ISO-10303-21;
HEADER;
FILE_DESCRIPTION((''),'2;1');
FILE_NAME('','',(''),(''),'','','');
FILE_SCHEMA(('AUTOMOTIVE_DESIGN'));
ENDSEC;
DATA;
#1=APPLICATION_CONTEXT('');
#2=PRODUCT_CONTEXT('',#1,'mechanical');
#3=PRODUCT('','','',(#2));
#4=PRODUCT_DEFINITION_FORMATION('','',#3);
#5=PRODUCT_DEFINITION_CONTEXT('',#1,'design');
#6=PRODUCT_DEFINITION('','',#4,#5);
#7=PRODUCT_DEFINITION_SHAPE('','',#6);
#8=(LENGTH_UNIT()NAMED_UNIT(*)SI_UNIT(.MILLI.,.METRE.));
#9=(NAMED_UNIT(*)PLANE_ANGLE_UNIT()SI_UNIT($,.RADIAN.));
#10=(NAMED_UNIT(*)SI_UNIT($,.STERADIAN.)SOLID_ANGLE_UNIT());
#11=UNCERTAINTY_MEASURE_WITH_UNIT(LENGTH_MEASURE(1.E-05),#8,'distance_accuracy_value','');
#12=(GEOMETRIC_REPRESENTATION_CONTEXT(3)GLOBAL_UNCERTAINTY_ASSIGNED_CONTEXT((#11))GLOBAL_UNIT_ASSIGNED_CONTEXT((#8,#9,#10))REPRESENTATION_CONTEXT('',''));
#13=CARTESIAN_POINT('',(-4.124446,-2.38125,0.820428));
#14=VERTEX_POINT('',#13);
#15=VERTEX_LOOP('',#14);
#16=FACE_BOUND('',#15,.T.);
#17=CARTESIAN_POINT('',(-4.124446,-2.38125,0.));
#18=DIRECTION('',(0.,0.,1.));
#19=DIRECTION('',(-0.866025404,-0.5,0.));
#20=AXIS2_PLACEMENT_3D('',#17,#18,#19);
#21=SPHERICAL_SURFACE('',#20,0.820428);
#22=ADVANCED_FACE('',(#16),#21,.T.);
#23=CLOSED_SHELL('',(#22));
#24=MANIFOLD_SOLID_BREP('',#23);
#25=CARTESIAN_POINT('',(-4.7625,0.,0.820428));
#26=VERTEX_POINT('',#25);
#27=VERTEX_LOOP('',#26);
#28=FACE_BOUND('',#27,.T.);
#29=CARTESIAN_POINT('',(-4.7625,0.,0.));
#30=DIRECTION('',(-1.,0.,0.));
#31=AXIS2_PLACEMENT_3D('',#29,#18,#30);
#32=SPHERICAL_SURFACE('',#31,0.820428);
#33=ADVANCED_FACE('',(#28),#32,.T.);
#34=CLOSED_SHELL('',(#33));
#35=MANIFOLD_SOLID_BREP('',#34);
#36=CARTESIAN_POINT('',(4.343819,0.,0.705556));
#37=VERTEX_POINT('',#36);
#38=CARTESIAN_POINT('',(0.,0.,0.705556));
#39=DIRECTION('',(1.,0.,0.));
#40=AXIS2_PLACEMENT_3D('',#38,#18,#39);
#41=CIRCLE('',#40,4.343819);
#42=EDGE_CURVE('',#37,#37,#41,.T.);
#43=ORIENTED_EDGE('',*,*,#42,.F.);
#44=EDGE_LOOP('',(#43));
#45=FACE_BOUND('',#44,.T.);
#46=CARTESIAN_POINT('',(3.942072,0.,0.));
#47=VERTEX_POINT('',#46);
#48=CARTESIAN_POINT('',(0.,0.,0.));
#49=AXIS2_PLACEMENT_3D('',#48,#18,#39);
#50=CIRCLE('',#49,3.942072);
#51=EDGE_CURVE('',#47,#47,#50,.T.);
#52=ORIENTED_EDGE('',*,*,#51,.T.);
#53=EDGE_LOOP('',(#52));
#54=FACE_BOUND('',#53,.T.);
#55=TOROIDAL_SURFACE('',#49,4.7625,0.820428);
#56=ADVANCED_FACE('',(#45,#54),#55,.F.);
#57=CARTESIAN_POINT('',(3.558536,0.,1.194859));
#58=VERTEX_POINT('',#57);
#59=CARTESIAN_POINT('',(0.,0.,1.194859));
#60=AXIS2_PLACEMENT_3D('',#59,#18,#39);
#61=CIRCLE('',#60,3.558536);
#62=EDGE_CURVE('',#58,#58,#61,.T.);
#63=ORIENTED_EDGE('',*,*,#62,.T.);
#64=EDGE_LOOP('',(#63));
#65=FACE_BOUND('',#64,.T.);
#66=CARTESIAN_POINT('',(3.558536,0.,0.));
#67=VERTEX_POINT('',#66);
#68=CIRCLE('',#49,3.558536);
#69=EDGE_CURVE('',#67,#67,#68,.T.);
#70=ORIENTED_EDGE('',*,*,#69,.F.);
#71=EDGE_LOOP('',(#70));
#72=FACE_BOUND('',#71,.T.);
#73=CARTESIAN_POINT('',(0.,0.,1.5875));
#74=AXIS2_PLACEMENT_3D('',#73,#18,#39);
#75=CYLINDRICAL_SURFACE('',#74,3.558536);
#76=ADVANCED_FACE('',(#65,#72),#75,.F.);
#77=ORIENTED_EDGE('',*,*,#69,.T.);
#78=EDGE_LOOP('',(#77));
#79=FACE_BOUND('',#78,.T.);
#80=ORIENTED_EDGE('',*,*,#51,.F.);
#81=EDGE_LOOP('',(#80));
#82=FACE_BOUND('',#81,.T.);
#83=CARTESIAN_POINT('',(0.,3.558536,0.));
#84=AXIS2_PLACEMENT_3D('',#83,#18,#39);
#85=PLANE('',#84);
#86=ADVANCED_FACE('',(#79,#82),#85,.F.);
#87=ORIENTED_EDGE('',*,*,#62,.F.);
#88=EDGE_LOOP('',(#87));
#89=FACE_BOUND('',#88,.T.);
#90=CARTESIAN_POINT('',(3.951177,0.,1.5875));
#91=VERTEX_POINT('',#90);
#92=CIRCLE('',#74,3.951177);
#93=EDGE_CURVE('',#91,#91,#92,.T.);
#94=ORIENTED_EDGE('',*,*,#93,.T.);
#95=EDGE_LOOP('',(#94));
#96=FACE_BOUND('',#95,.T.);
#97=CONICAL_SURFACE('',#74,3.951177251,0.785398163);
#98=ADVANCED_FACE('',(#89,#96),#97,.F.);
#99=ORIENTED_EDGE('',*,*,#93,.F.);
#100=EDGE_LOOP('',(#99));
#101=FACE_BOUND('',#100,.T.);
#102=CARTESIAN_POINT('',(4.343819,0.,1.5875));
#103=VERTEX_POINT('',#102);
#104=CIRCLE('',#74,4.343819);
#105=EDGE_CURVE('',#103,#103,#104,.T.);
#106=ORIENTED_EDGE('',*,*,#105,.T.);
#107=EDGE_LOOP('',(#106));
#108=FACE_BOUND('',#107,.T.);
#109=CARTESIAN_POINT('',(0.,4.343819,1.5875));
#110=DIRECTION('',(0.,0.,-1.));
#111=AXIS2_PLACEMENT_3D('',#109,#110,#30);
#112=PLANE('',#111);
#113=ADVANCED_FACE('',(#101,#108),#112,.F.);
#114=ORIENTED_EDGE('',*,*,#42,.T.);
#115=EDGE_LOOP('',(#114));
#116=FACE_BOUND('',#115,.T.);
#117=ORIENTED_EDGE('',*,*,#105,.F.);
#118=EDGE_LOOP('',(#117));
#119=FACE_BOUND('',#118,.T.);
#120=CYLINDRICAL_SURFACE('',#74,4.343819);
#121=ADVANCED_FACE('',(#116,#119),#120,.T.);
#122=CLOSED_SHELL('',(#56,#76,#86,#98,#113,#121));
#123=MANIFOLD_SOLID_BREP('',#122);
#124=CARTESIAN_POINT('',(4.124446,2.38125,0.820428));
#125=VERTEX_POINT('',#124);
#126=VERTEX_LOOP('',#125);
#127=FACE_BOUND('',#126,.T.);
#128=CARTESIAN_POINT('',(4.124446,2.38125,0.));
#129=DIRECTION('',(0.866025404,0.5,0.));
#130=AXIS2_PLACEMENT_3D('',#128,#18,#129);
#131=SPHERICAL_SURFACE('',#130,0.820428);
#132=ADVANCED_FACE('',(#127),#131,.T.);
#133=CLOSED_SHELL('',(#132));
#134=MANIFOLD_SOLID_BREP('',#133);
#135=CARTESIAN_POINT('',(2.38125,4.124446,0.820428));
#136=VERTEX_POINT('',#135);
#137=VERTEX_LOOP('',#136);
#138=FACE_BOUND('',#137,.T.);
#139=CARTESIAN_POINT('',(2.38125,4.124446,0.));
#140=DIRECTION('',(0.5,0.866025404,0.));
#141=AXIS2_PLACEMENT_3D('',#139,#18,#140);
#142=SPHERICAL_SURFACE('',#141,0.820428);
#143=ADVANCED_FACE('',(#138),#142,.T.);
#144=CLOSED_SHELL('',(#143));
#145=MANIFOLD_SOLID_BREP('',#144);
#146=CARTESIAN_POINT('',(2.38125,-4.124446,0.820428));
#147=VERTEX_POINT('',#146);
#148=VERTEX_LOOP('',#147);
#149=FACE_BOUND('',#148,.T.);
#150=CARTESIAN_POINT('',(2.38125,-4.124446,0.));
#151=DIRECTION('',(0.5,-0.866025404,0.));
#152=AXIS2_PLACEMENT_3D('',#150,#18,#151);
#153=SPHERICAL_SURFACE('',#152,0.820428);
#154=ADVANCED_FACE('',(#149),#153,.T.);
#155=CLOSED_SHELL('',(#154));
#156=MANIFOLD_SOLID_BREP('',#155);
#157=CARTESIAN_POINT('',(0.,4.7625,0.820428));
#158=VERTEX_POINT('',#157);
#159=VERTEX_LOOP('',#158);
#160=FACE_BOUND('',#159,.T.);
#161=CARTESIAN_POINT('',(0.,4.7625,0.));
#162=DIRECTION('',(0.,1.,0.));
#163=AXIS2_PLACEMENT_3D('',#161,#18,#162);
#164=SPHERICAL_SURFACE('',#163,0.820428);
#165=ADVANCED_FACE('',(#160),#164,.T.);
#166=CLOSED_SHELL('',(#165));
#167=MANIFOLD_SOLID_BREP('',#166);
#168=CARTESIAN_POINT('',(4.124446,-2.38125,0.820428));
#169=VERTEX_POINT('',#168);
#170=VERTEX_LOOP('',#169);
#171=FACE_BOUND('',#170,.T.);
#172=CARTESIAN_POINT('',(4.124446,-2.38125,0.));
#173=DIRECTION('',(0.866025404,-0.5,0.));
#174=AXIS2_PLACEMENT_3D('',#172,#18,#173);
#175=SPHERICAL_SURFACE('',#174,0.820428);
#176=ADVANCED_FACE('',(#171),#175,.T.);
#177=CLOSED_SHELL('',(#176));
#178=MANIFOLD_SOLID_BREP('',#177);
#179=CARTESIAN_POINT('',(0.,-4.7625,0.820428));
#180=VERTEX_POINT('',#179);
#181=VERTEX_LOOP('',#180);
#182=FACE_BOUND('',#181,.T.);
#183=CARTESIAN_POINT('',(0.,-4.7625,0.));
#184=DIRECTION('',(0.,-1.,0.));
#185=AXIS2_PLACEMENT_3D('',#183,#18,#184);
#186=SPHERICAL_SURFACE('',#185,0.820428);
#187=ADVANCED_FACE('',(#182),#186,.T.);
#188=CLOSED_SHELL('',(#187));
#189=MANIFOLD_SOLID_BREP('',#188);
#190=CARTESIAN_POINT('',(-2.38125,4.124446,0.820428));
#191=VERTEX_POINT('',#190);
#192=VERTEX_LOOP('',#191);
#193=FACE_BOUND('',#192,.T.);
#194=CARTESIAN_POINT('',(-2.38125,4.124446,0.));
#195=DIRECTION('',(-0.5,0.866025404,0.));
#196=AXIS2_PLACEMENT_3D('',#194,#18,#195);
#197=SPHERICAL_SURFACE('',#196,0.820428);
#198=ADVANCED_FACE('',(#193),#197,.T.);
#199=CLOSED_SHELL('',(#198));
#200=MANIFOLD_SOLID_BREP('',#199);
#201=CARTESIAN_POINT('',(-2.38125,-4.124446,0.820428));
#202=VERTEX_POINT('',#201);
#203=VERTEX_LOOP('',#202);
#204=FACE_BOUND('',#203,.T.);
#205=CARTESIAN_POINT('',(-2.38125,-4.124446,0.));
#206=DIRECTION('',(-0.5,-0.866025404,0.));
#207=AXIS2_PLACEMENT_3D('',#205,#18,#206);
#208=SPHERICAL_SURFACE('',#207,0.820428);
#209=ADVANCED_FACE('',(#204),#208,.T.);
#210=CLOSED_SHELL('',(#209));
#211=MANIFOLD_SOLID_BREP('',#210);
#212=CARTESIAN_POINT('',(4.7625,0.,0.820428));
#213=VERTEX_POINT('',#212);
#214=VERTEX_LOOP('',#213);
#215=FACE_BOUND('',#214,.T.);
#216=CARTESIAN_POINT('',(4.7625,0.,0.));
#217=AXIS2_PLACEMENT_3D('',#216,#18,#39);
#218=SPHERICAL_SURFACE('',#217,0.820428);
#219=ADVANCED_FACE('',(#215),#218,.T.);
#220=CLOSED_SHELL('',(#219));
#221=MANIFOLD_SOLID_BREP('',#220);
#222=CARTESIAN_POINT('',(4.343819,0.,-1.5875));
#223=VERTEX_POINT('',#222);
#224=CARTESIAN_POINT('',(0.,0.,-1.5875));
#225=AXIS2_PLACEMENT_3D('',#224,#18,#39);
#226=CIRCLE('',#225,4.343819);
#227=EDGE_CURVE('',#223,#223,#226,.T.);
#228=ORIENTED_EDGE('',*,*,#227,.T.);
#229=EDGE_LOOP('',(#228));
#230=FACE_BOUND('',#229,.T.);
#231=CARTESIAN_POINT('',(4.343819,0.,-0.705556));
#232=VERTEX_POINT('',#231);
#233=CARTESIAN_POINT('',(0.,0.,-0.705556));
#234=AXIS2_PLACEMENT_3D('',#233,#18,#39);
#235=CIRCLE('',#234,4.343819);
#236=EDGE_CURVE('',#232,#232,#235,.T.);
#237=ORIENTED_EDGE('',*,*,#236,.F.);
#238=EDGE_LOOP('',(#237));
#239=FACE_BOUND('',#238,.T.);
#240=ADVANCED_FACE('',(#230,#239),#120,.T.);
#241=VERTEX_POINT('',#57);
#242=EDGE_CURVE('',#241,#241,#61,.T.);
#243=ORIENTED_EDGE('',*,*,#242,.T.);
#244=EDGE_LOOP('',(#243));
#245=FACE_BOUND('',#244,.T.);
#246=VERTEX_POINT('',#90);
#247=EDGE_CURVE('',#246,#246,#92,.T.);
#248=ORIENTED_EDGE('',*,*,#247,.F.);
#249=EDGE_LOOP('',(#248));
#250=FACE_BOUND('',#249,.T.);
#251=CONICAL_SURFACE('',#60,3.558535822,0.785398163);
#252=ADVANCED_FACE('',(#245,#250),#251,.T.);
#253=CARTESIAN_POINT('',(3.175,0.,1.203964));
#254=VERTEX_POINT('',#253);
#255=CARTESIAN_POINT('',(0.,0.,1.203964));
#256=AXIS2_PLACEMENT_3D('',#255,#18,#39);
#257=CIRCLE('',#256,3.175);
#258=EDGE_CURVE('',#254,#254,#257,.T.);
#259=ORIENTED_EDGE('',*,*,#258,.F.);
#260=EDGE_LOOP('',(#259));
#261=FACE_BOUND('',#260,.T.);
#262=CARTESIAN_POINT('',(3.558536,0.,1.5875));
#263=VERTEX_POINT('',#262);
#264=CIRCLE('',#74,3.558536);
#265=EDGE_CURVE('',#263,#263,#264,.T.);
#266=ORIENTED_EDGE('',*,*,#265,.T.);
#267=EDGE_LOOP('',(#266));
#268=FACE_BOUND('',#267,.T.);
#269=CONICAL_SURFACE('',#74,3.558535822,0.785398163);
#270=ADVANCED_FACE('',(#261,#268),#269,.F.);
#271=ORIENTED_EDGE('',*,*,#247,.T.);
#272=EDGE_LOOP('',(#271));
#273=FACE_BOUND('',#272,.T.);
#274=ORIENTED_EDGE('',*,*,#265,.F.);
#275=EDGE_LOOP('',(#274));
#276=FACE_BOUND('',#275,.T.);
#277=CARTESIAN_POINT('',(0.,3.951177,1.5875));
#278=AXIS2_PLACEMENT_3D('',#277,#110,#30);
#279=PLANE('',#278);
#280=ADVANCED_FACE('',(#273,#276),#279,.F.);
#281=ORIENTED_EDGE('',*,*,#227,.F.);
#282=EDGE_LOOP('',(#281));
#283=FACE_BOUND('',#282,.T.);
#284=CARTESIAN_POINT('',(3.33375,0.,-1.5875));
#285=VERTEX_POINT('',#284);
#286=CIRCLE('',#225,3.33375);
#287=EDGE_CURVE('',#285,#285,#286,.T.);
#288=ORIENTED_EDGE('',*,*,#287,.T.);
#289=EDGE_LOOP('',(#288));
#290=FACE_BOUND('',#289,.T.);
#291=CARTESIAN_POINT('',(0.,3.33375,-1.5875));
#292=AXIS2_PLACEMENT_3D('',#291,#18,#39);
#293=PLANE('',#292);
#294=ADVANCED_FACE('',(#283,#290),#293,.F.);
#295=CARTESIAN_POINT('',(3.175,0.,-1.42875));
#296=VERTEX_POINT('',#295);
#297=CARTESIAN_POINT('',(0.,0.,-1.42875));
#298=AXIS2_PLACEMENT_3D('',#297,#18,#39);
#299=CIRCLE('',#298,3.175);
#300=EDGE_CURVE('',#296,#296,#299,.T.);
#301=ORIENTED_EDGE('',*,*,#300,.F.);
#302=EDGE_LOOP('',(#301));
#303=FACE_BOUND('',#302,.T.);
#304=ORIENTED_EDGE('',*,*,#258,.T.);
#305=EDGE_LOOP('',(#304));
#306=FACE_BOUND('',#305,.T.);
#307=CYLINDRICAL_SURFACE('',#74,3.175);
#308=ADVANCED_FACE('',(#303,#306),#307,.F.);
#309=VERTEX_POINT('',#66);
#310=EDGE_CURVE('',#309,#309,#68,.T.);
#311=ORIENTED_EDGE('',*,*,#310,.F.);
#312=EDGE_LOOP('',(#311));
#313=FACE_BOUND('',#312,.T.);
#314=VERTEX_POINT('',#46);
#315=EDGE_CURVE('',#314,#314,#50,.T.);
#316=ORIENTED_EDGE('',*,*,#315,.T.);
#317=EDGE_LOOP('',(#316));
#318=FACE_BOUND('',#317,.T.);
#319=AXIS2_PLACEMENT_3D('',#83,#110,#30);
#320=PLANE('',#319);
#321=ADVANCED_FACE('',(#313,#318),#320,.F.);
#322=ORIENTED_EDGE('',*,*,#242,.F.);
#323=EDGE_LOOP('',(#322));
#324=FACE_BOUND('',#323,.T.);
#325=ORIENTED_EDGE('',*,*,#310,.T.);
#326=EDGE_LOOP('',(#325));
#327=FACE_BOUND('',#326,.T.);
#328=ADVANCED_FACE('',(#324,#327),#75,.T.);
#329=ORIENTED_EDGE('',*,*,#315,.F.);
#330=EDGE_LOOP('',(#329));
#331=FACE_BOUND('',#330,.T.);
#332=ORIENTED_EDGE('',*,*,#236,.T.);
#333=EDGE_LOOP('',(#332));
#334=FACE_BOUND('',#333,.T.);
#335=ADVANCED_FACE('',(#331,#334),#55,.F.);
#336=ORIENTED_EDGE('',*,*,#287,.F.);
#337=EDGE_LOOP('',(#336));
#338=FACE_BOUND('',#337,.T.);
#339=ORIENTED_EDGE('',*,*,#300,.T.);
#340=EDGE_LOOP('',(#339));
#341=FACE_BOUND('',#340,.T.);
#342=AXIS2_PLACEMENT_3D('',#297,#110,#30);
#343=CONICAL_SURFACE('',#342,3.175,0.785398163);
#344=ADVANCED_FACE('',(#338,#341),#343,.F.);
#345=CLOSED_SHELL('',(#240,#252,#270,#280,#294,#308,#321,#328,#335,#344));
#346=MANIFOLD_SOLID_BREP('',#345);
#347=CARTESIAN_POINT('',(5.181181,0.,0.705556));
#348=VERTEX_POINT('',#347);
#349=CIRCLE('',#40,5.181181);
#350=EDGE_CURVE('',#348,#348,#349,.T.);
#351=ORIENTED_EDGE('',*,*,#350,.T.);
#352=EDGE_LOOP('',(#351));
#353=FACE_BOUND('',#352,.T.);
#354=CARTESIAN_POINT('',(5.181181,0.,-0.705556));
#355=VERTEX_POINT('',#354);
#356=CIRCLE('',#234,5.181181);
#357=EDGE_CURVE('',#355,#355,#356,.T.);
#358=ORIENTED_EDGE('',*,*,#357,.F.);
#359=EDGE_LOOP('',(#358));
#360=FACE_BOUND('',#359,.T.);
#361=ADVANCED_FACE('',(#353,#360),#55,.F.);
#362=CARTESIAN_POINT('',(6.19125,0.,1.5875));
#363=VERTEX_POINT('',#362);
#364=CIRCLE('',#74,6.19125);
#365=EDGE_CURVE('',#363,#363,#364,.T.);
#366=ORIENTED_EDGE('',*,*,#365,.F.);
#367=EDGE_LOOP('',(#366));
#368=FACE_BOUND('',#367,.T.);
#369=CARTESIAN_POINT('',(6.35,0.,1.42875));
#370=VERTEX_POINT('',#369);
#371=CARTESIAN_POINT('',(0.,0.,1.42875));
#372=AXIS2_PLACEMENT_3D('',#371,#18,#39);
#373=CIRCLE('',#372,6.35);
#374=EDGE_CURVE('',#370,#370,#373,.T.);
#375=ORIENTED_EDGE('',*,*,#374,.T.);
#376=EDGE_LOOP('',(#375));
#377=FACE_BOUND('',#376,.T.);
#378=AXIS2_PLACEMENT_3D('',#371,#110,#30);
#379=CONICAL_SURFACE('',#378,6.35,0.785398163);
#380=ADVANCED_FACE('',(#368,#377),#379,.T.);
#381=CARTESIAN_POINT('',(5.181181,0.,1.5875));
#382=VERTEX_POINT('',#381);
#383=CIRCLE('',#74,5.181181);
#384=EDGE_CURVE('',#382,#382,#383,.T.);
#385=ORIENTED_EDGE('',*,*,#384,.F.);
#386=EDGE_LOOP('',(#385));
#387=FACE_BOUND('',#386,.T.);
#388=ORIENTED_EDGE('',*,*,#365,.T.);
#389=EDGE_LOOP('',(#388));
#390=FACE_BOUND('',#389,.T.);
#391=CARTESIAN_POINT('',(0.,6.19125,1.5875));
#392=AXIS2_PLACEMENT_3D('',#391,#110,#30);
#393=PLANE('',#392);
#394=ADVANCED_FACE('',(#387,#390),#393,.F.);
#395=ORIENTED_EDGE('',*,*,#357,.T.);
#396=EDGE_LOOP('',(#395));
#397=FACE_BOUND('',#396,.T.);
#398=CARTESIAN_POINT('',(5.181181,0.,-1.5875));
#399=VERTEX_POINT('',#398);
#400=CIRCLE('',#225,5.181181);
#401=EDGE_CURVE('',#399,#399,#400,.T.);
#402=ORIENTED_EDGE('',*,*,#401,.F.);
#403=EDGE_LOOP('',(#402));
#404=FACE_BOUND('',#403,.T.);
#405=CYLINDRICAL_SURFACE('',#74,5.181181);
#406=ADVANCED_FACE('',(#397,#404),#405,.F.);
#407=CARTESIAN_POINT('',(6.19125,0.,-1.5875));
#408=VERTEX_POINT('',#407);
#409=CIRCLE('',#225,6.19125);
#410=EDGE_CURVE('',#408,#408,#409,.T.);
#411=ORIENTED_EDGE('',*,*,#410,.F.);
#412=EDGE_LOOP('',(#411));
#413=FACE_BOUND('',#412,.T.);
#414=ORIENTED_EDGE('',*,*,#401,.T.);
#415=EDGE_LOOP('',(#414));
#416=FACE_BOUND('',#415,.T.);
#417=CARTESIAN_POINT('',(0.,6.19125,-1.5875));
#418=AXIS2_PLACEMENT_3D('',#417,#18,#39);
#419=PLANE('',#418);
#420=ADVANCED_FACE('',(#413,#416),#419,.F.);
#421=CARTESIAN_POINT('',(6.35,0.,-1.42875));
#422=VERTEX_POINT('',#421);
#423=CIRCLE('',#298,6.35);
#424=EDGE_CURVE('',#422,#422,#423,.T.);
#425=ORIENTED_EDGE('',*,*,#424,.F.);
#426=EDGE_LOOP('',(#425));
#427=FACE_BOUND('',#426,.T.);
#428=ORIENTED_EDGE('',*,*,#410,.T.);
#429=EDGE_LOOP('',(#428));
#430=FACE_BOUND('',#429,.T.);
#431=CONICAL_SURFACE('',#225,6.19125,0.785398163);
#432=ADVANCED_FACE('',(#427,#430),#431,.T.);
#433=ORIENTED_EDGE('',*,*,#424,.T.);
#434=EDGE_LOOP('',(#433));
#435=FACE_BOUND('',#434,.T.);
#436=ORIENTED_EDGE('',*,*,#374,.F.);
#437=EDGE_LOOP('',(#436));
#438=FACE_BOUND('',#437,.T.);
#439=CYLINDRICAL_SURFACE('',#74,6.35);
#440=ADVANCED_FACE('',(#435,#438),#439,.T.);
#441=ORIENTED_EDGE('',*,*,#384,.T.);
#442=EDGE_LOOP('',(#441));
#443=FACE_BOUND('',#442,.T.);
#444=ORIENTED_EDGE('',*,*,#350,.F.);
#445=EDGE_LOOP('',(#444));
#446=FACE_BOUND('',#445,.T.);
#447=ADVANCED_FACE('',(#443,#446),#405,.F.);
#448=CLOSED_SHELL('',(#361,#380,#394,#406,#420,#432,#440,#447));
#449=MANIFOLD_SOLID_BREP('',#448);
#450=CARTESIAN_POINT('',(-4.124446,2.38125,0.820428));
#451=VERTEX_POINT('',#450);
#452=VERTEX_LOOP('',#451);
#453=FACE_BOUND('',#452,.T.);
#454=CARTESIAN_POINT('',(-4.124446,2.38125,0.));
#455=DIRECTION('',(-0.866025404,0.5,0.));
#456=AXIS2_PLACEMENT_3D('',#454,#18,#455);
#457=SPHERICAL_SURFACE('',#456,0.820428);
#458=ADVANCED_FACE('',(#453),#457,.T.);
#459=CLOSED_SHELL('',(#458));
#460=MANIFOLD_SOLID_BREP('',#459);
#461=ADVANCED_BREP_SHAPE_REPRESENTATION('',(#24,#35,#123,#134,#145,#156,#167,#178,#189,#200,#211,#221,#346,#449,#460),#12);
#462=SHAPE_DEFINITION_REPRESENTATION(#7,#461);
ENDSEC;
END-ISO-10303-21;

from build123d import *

# Parameters (mm, degrees)
CIRPATTERN1_COUNT = 12


with BuildPart() as part:
    # Sketch1 → Revolve1 (revolve)
    with BuildSketch(Plane(origin=(0, 0, 0), x_dir=(0, 0, -1), z_dir=(1, 0, 0))):
        with BuildLine():
            Line((1.42875, 6.35), (-1.42875, 6.35))
            Line((-1.42875, 6.35), (-1.5875, 6.19125))
            Line((-1.5875, 6.19125), (-1.5875, 5.181181319))
            Line((-1.5875, 5.181181319), (-0.705555556, 5.181181319))
            ThreePointArc((-0.705555556, 5.181181319), (0, 5.582928357), (0.705555556, 5.181181319))
            Line((0.705555556, 5.181181319), (1.5875, 5.181181319))
            Line((1.5875, 5.181181319), (1.5875, 6.19125))
            Line((1.5875, 6.19125), (1.42875, 6.35))
        make_face()
    revolve(axis=Axis((0, 0, 1.5875), (0, 0, -1)))


with BuildPart() as body_2:
    # Sketch2 → Revolve2 (revolve)
    with BuildSketch(Plane(origin=(0, 0, 0), x_dir=(0, 0, -1), z_dir=(1, 0, 0))):
        with BuildLine():
            Line((-1.5875, 4.343818681), (-0.705555556, 4.343818681))
            ThreePointArc((-0.705555556, 4.343818681), (-0.405958534, 4.049548138), (0, 3.942071643))
            Line((0, 3.942071643), (0, 3.558535822))
            Line((0, 3.558535822), (-1.19485857, 3.558535822))
            Line((-1.19485857, 3.558535822), (-1.5875, 3.951177251))
            Line((-1.5875, 3.951177251), (-1.5875, 4.343818681))
        make_face()
    revolve(axis=Axis((0, 0, 1.5875), (0, 0, -1)))


with BuildPart() as body_3:
    # Sketch3 → Revolve3 (revolve)
    with BuildSketch(Plane(origin=(0, 0, 0), x_dir=(0, 0, -1), z_dir=(1, 0, 0))):
        with BuildLine():
            Line((-1.5875, 3.951177251), (-1.19485857, 3.558535822))
            Line((-1.19485857, 3.558535822), (0, 3.558535822))
            Line((0, 3.558535822), (0, 3.942071643))
            ThreePointArc((0, 3.942071643), (0.405958534, 4.049548138), (0.705555556, 4.343818681))
            Line((0.705555556, 4.343818681), (1.5875, 4.343818681))
            Line((1.5875, 4.343818681), (1.5875, 3.33375))
            Line((1.5875, 3.33375), (1.42875, 3.175))
            Line((1.42875, 3.175), (-1.203964178, 3.175))
            Line((-1.203964178, 3.175), (-1.5875, 3.558535822))
            Line((-1.5875, 3.558535822), (-1.5875, 3.951177251))
        make_face()
    revolve(axis=Axis((0, 0, 1.5875), (0, 0, -1)))


with BuildPart() as body_4:
    # Sketch4 → Revolve4 (revolve)
    with BuildSketch(Plane(origin=(0, 0, 0), x_dir=(0, 0, -1), z_dir=(1, 0, 0))):
        with BuildLine():
            Line((-0.820428357, 4.7625), (0.820428357, 4.7625))
            ThreePointArc((0.820428357, 4.7625), (0, 5.582928357), (-0.820428357, 4.7625))
        make_face()
    revolve(axis=Axis((0, 4.7625, 0.820428357), (0, 0, -1)))


with BuildPart() as cirpattern1_1:
    # CirPattern1: pattern copy
    add(body_4.part.rotate(Axis((0, 0, 0), (0, 0, 1)), 1 * 360 / CIRPATTERN1_COUNT))


with BuildPart() as cirpattern1_2:
    # CirPattern1: pattern copy
    add(body_4.part.rotate(Axis((0, 0, 0), (0, 0, 1)), 2 * 360 / CIRPATTERN1_COUNT))


with BuildPart() as cirpattern1_3:
    # CirPattern1: pattern copy
    add(body_4.part.rotate(Axis((0, 0, 0), (0, 0, 1)), 3 * 360 / CIRPATTERN1_COUNT))


with BuildPart() as cirpattern1_4:
    # CirPattern1: pattern copy
    add(body_4.part.rotate(Axis((0, 0, 0), (0, 0, 1)), 4 * 360 / CIRPATTERN1_COUNT))


with BuildPart() as cirpattern1_5:
    # CirPattern1: pattern copy
    add(body_4.part.rotate(Axis((0, 0, 0), (0, 0, 1)), 5 * 360 / CIRPATTERN1_COUNT))


with BuildPart() as cirpattern1_6:
    # CirPattern1: pattern copy
    add(body_4.part.rotate(Axis((0, 0, 0), (0, 0, 1)), 6 * 360 / CIRPATTERN1_COUNT))


with BuildPart() as cirpattern1_7:
    # CirPattern1: pattern copy
    add(body_4.part.rotate(Axis((0, 0, 0), (0, 0, 1)), 7 * 360 / CIRPATTERN1_COUNT))


with BuildPart() as cirpattern1_8:
    # CirPattern1: pattern copy
    add(body_4.part.rotate(Axis((0, 0, 0), (0, 0, 1)), 8 * 360 / CIRPATTERN1_COUNT))


with BuildPart() as cirpattern1_9:
    # CirPattern1: pattern copy
    add(body_4.part.rotate(Axis((0, 0, 0), (0, 0, 1)), 9 * 360 / CIRPATTERN1_COUNT))


with BuildPart() as cirpattern1_10:
    # CirPattern1: pattern copy
    add(body_4.part.rotate(Axis((0, 0, 0), (0, 0, 1)), 10 * 360 / CIRPATTERN1_COUNT))


with BuildPart() as cirpattern1_11:
    # CirPattern1: pattern copy
    add(body_4.part.rotate(Axis((0, 0, 0), (0, 0, 1)), 11 * 360 / CIRPATTERN1_COUNT))


solid = Compound([part.part, body_2.part, body_3.part, body_4.part, cirpattern1_1.part, cirpattern1_2.part, cirpattern1_3.part, cirpattern1_4.part, cirpattern1_5.part, cirpattern1_6.part, cirpattern1_7.part, cirpattern1_8.part, cirpattern1_9.part, cirpattern1_10.part, cirpattern1_11.part])
